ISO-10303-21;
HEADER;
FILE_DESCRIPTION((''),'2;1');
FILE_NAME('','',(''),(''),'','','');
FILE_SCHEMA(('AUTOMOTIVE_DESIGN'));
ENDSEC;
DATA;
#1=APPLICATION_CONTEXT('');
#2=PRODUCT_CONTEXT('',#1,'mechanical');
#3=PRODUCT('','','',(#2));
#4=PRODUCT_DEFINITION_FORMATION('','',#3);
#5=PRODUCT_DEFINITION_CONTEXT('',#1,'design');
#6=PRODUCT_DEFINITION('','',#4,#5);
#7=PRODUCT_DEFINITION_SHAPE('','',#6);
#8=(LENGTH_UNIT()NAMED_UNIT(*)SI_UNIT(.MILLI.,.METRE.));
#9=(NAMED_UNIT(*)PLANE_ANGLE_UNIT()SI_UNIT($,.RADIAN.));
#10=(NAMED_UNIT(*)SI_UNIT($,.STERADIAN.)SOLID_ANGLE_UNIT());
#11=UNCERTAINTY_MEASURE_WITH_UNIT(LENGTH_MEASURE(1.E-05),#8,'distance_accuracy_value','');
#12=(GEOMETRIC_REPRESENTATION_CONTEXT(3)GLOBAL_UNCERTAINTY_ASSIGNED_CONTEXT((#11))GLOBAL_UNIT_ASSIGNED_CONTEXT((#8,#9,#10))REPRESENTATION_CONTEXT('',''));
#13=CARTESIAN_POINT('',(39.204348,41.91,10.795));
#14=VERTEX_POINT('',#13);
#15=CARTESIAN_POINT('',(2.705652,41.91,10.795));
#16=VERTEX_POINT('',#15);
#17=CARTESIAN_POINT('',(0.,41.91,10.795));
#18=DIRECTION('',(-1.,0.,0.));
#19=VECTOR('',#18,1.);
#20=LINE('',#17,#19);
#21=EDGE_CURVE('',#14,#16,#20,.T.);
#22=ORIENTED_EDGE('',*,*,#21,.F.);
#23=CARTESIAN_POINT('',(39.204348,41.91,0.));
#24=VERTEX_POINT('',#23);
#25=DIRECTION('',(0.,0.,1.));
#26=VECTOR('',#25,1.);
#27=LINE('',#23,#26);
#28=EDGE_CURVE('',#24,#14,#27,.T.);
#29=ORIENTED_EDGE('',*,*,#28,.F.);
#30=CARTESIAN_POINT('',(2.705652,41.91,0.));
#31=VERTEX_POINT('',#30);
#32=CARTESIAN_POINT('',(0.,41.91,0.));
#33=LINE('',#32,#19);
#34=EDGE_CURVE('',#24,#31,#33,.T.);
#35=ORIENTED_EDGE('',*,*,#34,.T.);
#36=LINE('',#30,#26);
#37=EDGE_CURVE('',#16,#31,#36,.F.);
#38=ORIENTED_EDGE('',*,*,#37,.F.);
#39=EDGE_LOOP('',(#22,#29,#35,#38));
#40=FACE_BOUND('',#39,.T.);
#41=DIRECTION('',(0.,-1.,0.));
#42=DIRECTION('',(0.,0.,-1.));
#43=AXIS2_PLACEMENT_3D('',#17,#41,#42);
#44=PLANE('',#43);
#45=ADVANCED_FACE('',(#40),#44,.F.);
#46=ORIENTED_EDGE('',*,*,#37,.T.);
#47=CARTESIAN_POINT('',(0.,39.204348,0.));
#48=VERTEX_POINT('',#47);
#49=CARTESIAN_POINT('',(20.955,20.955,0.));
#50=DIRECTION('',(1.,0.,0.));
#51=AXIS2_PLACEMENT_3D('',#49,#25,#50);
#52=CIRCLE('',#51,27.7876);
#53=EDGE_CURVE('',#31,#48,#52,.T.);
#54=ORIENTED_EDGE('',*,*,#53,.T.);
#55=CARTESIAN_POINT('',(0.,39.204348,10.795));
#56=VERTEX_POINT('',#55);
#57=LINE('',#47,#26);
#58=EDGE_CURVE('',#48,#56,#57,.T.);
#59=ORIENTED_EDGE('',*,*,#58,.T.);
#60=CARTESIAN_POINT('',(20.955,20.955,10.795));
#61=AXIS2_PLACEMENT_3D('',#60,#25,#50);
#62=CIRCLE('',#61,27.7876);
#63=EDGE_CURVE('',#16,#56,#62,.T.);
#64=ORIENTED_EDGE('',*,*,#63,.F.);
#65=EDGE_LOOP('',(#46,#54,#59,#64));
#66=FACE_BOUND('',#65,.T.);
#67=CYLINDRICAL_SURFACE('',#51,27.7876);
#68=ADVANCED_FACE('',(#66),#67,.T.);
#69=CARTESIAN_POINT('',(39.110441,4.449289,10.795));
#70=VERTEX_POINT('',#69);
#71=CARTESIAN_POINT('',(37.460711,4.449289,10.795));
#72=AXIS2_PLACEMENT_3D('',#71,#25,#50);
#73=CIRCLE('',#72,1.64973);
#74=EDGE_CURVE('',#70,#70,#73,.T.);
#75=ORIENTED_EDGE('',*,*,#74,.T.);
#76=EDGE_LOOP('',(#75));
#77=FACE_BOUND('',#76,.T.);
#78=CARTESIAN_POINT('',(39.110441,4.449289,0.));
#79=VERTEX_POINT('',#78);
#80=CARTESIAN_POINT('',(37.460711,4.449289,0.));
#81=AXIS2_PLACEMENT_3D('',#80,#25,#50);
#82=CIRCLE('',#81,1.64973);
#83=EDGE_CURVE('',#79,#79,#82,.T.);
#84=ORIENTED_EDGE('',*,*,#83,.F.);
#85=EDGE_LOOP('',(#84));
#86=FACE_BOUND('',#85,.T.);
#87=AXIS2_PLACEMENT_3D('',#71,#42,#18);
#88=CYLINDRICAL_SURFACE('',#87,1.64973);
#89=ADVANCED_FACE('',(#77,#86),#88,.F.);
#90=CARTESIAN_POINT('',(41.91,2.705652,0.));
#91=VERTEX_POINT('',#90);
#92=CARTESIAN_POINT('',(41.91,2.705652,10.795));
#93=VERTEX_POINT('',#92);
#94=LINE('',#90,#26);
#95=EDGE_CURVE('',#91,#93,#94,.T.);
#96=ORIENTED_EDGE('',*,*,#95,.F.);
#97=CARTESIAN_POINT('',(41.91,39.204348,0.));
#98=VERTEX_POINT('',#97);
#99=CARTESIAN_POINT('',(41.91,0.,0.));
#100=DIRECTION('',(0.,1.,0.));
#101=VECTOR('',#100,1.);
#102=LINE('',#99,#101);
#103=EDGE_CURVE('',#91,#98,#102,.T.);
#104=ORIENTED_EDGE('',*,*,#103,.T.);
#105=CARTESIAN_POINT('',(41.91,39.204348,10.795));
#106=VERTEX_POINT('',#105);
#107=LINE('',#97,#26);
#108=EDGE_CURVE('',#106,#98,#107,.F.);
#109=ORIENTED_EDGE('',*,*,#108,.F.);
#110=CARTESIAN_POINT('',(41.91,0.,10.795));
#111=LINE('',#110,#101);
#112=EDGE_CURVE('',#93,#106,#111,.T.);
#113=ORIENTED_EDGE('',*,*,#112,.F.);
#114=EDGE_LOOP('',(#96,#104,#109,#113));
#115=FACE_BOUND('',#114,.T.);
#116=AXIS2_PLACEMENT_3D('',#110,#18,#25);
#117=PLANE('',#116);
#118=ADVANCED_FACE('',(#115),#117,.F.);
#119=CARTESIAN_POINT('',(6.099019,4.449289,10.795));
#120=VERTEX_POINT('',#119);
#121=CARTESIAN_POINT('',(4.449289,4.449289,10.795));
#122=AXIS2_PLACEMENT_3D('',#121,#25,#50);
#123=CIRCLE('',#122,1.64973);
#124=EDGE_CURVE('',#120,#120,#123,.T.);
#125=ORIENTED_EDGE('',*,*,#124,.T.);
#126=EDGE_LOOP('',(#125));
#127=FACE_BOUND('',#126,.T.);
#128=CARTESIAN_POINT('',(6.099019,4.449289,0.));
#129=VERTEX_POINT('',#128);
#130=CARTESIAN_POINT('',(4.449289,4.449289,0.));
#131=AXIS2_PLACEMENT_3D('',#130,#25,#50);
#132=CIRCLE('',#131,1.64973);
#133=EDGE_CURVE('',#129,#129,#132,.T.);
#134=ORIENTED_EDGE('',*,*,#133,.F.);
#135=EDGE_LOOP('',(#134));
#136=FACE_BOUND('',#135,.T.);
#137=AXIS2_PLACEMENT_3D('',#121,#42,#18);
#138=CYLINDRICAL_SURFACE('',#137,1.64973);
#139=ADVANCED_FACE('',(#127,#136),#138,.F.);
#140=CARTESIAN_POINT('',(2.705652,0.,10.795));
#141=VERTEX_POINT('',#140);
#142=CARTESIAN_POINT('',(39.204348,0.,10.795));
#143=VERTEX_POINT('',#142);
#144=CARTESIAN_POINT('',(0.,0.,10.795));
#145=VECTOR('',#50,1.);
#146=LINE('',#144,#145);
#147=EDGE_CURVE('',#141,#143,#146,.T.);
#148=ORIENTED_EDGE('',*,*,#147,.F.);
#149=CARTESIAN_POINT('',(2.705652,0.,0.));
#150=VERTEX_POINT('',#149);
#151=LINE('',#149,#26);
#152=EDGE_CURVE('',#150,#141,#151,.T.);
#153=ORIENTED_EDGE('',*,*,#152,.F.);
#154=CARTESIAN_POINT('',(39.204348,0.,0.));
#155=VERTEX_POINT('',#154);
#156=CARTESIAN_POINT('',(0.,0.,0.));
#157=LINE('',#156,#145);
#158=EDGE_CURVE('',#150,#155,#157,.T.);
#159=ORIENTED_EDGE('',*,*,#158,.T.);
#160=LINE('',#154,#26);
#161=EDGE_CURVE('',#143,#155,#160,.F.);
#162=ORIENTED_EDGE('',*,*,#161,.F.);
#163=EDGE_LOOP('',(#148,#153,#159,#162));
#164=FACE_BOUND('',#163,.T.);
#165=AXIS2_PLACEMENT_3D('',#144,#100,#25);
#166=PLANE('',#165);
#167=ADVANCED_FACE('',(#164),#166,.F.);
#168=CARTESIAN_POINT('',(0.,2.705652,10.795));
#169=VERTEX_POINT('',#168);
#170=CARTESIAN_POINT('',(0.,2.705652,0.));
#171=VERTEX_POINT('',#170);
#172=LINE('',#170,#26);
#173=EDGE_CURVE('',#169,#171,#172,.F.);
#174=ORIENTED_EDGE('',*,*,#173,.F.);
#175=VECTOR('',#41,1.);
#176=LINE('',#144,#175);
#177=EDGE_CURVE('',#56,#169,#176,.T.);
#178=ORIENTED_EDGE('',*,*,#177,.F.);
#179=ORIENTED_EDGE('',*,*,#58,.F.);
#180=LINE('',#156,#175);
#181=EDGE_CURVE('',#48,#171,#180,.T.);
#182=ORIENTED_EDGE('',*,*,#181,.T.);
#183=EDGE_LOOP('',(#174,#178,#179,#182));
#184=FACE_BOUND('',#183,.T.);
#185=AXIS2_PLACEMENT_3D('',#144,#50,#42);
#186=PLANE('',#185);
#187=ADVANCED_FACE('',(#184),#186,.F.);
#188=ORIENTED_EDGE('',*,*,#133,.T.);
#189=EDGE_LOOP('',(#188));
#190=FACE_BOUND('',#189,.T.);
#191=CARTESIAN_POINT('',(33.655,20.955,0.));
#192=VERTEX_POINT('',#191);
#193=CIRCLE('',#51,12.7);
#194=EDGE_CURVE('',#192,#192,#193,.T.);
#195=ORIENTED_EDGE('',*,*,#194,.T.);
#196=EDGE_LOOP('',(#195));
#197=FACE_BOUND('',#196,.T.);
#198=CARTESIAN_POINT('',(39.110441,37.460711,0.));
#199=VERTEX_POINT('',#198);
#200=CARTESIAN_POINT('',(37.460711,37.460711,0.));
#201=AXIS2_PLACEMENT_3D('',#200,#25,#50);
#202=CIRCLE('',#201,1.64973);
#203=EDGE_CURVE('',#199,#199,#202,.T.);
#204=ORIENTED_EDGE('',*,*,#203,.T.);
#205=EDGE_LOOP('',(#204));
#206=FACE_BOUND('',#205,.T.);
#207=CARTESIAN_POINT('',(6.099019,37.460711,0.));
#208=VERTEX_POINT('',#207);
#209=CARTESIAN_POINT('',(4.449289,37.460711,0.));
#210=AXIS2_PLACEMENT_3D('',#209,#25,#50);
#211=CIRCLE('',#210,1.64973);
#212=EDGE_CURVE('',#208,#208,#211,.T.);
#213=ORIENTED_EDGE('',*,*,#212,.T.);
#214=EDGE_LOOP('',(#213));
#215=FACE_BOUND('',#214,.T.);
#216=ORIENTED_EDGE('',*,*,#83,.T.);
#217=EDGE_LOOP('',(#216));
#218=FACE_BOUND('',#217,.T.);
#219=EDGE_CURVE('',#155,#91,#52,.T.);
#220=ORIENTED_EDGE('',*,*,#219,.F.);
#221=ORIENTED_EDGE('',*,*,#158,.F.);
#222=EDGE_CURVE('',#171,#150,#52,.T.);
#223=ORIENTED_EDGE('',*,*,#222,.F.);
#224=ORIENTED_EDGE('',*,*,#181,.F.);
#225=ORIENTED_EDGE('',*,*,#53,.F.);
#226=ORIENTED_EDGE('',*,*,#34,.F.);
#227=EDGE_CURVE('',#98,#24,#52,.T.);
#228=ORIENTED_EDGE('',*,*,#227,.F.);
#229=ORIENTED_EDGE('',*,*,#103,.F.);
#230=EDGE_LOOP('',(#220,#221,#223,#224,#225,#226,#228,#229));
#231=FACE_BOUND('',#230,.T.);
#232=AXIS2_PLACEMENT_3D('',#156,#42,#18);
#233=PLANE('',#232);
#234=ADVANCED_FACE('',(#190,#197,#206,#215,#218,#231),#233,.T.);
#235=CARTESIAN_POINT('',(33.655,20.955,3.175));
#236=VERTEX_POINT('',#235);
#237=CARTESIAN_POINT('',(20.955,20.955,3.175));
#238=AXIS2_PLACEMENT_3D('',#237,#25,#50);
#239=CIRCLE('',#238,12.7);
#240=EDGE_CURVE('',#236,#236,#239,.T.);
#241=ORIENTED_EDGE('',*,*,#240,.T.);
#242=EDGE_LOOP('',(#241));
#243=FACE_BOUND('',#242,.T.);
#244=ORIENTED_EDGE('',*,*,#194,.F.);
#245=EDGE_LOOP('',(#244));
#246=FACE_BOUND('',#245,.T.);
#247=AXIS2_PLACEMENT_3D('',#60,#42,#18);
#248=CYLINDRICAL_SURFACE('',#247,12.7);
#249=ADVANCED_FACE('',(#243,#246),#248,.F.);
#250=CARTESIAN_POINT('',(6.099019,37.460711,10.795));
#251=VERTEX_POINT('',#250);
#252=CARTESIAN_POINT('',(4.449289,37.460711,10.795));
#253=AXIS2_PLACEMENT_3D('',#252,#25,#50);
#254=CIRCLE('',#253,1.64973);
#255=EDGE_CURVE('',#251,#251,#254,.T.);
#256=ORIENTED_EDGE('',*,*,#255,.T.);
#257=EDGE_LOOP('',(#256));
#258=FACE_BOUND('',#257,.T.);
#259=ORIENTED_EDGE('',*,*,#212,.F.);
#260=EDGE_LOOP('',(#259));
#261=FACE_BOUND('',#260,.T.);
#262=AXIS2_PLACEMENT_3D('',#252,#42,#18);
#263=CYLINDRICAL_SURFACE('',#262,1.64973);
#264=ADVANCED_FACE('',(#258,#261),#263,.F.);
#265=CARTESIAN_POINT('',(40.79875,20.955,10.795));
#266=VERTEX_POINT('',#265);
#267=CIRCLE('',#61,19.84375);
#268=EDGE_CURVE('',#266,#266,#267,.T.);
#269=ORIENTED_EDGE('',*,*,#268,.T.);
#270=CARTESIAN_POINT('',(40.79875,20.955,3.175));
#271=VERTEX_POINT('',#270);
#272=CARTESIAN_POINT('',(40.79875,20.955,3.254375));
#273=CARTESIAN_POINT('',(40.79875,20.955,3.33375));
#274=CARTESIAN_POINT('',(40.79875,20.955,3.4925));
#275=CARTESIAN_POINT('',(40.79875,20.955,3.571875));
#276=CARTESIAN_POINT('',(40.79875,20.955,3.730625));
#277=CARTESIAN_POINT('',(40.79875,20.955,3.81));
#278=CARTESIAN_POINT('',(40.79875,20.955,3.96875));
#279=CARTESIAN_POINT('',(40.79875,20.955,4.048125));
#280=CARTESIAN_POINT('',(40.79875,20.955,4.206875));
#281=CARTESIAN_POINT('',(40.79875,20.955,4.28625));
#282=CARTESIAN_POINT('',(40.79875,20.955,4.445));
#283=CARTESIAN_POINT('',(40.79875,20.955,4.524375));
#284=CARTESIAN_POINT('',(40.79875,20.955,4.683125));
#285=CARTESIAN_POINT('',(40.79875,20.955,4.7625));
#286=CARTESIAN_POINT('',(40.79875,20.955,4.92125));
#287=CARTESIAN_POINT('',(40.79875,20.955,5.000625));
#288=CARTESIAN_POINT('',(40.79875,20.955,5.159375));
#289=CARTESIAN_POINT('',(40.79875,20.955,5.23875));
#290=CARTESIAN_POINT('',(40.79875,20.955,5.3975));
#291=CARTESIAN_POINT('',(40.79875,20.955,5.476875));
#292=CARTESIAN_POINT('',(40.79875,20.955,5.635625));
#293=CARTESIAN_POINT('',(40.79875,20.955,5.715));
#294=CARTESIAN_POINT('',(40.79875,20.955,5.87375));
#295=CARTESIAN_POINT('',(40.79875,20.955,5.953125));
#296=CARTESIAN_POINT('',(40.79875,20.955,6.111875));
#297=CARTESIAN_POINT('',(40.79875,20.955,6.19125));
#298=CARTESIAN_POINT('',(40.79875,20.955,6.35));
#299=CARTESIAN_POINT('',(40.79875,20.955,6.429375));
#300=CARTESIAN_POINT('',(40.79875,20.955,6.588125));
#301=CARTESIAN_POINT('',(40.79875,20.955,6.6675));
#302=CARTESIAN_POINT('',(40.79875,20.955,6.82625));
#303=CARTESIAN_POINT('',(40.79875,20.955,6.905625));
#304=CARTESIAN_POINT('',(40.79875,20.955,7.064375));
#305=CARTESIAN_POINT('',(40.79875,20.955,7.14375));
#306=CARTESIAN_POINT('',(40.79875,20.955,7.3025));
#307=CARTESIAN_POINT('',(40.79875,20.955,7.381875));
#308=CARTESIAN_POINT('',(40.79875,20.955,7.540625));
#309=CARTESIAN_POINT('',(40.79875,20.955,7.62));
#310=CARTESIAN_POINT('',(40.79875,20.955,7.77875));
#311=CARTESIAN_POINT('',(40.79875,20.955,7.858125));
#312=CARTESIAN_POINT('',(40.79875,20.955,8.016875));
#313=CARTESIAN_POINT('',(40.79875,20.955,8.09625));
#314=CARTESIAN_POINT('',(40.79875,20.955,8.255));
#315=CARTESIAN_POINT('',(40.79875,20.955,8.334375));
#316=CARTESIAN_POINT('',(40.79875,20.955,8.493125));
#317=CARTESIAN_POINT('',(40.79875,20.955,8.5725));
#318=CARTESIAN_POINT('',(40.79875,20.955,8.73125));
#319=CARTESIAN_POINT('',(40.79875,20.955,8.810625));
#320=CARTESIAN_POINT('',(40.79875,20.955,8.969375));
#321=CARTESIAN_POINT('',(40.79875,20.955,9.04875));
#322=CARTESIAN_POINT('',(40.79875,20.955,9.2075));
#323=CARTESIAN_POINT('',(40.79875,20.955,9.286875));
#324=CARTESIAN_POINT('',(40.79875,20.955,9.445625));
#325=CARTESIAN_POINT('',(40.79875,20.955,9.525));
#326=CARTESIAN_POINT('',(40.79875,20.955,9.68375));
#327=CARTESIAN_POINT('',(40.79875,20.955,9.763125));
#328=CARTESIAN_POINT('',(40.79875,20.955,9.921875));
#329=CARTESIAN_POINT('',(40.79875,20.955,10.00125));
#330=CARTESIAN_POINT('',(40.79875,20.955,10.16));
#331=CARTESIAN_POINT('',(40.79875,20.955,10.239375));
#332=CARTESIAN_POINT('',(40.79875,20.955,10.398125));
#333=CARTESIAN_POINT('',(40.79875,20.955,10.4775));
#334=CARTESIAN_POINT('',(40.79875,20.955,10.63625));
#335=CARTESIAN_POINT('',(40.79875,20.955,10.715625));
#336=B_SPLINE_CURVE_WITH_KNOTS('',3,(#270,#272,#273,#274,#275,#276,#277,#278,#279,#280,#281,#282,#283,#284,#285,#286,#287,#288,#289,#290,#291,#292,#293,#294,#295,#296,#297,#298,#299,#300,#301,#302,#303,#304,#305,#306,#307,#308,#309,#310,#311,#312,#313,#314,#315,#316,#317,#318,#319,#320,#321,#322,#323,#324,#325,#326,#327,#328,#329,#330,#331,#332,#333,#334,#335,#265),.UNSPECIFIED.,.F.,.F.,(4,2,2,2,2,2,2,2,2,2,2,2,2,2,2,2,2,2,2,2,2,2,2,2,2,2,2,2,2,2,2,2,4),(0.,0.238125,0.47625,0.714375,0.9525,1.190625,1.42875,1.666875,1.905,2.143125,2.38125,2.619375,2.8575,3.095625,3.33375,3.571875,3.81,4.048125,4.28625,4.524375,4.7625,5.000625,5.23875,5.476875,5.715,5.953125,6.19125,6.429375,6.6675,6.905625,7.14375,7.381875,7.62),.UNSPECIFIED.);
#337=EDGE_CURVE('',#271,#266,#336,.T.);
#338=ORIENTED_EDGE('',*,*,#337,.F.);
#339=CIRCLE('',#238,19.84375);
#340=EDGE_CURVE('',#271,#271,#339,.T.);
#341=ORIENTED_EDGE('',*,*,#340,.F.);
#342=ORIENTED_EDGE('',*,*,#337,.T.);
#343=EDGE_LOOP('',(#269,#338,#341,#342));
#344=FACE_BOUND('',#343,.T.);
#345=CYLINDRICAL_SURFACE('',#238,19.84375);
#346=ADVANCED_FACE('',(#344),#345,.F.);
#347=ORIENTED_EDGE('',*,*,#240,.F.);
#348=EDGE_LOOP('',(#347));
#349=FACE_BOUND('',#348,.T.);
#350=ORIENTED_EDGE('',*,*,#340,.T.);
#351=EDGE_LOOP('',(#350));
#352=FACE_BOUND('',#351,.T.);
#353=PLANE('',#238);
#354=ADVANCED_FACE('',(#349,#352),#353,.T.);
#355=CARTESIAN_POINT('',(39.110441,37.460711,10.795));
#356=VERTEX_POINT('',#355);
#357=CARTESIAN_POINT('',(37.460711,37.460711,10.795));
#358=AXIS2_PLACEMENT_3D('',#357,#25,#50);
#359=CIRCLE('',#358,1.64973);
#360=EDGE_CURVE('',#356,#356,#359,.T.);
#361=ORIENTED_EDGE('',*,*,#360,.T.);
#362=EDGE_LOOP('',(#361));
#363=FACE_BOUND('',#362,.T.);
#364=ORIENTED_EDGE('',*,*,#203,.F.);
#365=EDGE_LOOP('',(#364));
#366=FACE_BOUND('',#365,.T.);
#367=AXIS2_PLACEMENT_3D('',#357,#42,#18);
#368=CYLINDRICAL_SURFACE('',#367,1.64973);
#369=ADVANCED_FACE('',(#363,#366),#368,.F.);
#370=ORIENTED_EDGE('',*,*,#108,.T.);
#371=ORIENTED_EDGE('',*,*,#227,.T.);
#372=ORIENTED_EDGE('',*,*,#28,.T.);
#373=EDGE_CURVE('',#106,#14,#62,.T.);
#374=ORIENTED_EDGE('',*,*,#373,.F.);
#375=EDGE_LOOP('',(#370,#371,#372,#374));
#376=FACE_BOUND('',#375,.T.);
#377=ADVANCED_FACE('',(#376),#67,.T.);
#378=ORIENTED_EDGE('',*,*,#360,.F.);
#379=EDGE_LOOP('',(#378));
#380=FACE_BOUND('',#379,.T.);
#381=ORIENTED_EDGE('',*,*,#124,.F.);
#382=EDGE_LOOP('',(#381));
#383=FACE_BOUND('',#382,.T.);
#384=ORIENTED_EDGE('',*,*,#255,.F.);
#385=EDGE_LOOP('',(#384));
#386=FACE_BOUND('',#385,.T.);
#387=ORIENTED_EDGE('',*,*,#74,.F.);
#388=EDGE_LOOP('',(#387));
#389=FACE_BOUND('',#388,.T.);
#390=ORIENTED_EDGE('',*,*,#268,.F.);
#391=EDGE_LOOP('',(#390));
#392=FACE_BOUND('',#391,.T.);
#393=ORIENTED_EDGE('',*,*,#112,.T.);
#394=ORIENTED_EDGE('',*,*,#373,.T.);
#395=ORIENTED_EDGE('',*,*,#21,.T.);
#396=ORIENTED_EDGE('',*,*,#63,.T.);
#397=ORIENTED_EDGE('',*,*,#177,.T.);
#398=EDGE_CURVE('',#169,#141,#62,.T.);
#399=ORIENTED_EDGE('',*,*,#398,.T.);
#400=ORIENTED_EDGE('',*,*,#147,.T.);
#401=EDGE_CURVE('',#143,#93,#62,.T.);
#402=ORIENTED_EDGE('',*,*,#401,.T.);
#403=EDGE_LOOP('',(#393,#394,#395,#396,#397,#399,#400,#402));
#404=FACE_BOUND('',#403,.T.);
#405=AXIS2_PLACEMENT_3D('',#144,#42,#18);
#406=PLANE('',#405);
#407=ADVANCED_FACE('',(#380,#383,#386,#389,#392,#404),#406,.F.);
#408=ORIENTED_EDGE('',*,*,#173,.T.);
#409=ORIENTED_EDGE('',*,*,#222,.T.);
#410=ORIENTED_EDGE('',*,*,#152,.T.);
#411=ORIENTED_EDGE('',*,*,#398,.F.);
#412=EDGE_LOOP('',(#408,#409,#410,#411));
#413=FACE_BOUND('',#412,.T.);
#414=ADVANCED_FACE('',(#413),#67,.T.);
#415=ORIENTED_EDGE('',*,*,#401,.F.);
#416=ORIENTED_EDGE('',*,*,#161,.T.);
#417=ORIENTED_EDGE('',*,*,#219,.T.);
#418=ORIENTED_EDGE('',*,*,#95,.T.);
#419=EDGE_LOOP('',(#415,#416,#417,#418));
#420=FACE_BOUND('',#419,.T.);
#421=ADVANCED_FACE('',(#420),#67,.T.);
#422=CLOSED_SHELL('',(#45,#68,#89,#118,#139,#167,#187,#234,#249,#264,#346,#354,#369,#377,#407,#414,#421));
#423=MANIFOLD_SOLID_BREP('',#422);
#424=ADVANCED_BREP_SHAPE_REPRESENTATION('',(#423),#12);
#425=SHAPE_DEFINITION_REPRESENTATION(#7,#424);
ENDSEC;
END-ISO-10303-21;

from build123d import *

# Parameters (mm, degrees)
SKETCH1_W           = 41.91
SKETCH1_H           = 41.91
SKETCH1_R           = 1.64973
SKETCH1_R_2         = 12.7
BOSS_EXTRUDE1_DEPTH = 10.795
SKETCH2_R           = 62.565718238
SKETCH2_R_2         = 27.7876
CUT_EXTRUDE1_DEPTH  = 61.244736077
SKETCH3_R           = 19.84375
CUT_EXTRUDE2_DEPTH  = 7.62


with BuildPart() as part:
    # Sketch1 → Boss-Extrude1 (new body)
    with BuildSketch(Plane.XY):
        with Locations((20.955, 20.955)):
            Rectangle(SKETCH1_W, SKETCH1_H)
        with Locations((37.460710751, 37.460710751)):
            Circle(SKETCH1_R, mode=Mode.SUBTRACT)
        with Locations((37.460710751, 4.449289249)):
            Circle(SKETCH1_R, mode=Mode.SUBTRACT)
        with Locations((4.449289249, 4.449289249)):
            Circle(SKETCH1_R, mode=Mode.SUBTRACT)
        with Locations((4.449289249, 37.460710751)):
            Circle(SKETCH1_R, mode=Mode.SUBTRACT)
        with Locations((20.955, 20.955)):
            Circle(SKETCH1_R_2, mode=Mode.SUBTRACT)
    extrude(amount=BOSS_EXTRUDE1_DEPTH)

    # Sketch2 → Cut-Extrude1 (cut, through all)
    with BuildSketch(Plane.XY.offset(10.795)):
        with Locations((20.955, 20.955)):
            Circle(SKETCH2_R)
        with Locations((20.955, 20.955)):
            Circle(SKETCH2_R_2, mode=Mode.SUBTRACT)
    extrude(amount=-CUT_EXTRUDE1_DEPTH, mode=Mode.SUBTRACT)

    # Sketch3 → Cut-Extrude2 (cut)
    with BuildSketch(Plane.XY.offset(10.795)):
        with Locations((20.955, 20.955)):
            Circle(SKETCH3_R)
    extrude(amount=-CUT_EXTRUDE2_DEPTH, mode=Mode.SUBTRACT)


solid = part.part
